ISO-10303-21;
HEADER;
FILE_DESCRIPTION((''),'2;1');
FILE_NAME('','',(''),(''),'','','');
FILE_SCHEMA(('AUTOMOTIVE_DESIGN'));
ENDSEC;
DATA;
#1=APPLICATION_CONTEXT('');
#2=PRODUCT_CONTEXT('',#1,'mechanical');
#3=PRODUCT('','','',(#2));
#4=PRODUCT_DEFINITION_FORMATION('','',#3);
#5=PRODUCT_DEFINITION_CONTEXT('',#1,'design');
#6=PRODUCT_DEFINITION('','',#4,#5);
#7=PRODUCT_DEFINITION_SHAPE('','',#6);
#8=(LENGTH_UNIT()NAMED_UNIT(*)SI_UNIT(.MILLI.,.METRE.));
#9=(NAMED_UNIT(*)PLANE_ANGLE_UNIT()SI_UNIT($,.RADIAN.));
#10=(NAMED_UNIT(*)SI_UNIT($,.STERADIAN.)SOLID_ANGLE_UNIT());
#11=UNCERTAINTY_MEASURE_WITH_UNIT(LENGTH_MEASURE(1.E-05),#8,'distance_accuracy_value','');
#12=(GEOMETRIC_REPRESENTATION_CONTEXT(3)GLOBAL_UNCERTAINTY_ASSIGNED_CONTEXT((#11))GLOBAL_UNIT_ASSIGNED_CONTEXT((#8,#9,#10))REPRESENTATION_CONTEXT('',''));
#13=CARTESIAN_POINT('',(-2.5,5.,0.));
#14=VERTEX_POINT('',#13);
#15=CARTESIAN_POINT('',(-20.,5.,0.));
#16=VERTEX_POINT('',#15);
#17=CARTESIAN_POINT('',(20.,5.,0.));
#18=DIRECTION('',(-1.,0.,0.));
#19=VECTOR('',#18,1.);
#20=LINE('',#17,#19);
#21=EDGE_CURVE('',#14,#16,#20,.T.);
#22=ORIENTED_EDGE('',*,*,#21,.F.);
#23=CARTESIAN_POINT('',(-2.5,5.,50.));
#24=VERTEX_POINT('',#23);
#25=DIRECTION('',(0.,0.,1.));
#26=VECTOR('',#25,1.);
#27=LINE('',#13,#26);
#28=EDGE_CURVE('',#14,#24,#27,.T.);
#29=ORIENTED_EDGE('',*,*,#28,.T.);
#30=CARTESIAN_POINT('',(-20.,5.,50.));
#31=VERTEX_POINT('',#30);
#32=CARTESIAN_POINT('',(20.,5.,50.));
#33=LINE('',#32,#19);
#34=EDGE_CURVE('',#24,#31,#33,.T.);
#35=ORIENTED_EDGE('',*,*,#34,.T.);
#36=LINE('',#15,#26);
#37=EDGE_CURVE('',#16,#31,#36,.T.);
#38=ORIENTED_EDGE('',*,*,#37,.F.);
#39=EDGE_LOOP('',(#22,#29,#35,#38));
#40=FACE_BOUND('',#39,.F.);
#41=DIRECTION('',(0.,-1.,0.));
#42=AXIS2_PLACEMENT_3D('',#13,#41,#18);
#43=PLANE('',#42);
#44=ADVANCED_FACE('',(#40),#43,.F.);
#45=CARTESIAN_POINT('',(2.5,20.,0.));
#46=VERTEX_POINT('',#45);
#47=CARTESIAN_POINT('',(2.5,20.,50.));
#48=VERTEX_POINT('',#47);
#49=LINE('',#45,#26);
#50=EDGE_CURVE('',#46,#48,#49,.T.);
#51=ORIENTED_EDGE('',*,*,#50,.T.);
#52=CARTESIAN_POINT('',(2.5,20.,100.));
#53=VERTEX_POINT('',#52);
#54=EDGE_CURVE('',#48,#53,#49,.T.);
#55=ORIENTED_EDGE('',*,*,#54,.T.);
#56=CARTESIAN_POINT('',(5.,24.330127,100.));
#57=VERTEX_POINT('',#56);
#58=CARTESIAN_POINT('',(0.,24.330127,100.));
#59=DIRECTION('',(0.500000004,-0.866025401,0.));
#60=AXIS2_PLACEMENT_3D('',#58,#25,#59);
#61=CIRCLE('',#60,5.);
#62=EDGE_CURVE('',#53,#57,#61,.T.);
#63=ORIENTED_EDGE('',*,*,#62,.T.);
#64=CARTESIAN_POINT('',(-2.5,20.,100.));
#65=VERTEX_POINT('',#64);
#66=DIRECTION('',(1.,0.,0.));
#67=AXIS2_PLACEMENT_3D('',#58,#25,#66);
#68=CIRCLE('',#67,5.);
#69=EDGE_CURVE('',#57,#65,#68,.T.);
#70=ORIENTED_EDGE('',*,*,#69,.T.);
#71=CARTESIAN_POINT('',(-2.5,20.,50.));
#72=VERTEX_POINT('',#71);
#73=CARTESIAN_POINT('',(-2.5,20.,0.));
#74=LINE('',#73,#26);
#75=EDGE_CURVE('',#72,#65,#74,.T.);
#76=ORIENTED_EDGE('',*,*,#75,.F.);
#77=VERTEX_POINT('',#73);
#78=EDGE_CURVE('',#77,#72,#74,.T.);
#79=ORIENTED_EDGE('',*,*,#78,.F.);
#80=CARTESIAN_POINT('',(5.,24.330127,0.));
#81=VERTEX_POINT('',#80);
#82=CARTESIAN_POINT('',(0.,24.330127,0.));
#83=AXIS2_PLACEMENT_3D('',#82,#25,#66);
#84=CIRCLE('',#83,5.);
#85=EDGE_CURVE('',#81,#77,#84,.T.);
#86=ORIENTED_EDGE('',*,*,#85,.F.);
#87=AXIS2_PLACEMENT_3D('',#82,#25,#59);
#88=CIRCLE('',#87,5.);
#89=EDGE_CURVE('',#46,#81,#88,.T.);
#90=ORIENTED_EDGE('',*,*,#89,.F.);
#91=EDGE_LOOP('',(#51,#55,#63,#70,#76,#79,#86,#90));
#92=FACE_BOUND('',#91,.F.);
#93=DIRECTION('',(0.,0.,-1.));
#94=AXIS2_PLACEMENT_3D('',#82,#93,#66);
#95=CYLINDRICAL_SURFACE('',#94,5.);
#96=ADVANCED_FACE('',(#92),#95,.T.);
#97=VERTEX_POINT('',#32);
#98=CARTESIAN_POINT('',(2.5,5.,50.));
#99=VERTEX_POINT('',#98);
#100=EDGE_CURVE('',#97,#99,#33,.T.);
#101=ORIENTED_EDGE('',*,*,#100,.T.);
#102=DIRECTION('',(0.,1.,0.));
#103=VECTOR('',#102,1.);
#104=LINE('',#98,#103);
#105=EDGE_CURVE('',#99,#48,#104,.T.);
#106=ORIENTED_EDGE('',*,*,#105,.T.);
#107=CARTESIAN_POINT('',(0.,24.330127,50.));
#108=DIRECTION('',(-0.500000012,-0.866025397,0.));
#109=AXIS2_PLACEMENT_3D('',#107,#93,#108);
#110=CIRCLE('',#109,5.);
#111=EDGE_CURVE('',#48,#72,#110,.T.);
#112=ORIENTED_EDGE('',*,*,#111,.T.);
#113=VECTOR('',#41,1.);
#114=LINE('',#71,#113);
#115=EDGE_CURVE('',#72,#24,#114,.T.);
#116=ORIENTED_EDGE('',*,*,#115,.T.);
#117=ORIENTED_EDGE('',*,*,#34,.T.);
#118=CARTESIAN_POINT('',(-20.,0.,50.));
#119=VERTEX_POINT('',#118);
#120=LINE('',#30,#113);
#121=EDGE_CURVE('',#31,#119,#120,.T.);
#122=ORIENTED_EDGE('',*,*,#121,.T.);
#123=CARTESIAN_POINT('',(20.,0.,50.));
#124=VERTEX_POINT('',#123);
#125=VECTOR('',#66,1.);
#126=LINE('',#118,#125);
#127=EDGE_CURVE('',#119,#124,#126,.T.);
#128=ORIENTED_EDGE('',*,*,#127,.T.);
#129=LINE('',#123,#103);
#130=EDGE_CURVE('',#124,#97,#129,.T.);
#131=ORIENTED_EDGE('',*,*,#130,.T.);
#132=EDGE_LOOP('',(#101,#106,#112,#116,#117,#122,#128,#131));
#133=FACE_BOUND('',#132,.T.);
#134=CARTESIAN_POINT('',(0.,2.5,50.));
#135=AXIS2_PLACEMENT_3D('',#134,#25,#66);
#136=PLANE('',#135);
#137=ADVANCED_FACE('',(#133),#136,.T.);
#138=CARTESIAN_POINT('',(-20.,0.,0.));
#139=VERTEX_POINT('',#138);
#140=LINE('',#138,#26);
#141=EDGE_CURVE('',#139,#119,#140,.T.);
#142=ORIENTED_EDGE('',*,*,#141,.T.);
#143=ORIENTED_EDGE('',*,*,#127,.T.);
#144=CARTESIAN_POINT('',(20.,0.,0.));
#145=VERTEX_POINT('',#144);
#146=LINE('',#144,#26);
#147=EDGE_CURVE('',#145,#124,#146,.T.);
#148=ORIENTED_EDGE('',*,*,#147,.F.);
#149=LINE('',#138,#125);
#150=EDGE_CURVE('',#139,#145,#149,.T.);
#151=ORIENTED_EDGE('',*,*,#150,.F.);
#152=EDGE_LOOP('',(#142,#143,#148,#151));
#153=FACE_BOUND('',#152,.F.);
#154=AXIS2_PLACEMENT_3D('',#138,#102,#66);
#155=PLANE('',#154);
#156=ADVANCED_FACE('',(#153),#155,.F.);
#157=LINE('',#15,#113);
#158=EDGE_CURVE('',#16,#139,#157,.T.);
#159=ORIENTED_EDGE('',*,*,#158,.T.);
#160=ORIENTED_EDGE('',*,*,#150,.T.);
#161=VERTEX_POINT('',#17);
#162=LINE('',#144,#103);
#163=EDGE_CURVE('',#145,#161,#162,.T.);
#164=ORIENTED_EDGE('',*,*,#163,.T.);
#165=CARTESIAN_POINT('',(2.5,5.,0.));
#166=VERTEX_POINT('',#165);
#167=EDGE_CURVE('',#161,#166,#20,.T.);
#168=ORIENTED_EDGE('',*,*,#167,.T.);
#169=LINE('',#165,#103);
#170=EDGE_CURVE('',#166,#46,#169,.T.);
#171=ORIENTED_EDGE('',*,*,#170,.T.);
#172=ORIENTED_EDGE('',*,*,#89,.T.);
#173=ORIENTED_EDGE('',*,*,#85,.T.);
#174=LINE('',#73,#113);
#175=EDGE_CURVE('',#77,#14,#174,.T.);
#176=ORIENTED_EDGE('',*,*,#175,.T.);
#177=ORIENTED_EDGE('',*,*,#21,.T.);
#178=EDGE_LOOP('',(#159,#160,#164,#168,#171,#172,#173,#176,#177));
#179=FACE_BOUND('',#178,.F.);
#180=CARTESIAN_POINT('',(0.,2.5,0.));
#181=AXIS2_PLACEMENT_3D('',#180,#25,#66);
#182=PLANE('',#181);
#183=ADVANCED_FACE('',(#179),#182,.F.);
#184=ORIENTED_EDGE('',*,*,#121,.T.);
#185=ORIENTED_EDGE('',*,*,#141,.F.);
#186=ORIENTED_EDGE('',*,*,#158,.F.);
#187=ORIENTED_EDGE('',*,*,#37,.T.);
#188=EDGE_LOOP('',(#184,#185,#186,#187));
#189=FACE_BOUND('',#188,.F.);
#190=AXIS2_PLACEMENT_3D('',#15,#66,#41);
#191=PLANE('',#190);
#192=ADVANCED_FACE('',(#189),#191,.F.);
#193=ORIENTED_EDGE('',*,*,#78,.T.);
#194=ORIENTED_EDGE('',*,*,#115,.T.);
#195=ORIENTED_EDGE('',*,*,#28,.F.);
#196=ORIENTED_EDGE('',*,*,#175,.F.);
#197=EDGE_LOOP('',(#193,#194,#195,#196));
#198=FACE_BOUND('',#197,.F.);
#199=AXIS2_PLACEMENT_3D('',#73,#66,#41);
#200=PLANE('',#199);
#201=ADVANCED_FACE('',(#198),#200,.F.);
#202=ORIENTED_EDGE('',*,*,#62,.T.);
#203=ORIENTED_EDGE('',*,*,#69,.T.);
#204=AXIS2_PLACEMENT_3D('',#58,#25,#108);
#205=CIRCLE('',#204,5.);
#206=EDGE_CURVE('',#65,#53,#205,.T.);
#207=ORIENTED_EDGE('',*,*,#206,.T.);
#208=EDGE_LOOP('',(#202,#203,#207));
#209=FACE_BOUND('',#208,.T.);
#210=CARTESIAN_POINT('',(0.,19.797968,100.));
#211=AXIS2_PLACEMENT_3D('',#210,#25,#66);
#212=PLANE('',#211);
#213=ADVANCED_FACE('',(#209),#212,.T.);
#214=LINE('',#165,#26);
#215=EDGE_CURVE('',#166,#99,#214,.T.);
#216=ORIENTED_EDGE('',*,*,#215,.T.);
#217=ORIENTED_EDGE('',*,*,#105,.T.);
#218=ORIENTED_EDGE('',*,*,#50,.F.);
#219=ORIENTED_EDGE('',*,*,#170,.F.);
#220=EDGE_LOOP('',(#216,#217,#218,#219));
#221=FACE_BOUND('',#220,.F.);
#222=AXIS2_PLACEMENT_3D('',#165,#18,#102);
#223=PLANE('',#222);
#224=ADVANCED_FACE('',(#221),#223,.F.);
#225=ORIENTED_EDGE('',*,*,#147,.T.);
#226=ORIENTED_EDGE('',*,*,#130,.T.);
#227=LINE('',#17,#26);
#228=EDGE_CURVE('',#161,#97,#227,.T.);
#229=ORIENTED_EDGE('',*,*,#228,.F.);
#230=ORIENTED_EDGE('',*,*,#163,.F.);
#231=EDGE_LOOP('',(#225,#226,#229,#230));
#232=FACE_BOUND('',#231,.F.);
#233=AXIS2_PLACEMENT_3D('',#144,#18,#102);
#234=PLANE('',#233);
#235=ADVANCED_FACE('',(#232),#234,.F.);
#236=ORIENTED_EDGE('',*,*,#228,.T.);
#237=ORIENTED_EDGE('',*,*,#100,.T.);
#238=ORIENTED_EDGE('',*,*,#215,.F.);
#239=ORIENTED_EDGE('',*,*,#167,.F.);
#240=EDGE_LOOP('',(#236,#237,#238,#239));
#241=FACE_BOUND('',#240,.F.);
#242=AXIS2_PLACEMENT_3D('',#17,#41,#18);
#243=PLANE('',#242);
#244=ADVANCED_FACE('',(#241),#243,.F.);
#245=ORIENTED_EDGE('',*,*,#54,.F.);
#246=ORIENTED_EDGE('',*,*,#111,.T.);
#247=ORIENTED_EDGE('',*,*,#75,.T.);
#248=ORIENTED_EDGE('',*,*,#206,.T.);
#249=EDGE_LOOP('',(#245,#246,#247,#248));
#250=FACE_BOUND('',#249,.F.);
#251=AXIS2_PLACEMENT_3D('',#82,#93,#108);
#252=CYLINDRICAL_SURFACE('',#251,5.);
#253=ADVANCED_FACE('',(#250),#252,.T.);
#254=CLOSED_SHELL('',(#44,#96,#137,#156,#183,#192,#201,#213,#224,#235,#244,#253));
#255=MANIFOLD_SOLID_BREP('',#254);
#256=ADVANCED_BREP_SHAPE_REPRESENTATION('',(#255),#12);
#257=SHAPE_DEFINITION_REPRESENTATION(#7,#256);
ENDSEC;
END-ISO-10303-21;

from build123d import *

# Parameters (mm, degrees)
F1_DEPTH = 50
F2_DEPTH = 100


with BuildPart() as f1:
    # F0 (on Top) → F1 (new body)
    with BuildSketch(Plane.XY):
        Polygon((-2.5, 5), (-20, 5), (-20, 0), (20, 0), (20, 5), (2.5, 5), align=None)
        with BuildLine():
            Line((-2.5, 20), (-2.5, 5))
            Line((-2.5, 5), (2.5, 5))
            Line((2.5, 5), (2.5, 20))
            ThreePointArc((2.5, 20), (0, 19.330127), (-2.5, 20))
        make_face()
        with BuildLine():
            ThreePointArc((5, 24.330127), (-2.5, 28.660254), (-2.5, 20))
            Line((-2.5, 20), (2.5, 20))
            ThreePointArc((2.5, 20), (4.330127, 21.830127), (5, 24.330127))
        make_face()
        with BuildLine():
            Line((2.5, 20), (-2.5, 20))
            ThreePointArc((-2.5, 20), (0, 19.330127), (2.5, 20))
        make_face()
    extrude(amount=F1_DEPTH)

    # F0 (on Top) → F2 (join)
    with BuildSketch(Plane.XY):
        with BuildLine():
            Line((2.5, 20), (-2.5, 20))
            ThreePointArc((-2.5, 20), (0, 19.330127), (2.5, 20))
        make_face()
        with BuildLine():
            ThreePointArc((5, 24.330127), (-2.5, 28.660254), (-2.5, 20))
            Line((-2.5, 20), (2.5, 20))
            ThreePointArc((2.5, 20), (4.330127, 21.830127), (5, 24.330127))
        make_face()
    extrude(amount=F2_DEPTH)


solid = f1.part
